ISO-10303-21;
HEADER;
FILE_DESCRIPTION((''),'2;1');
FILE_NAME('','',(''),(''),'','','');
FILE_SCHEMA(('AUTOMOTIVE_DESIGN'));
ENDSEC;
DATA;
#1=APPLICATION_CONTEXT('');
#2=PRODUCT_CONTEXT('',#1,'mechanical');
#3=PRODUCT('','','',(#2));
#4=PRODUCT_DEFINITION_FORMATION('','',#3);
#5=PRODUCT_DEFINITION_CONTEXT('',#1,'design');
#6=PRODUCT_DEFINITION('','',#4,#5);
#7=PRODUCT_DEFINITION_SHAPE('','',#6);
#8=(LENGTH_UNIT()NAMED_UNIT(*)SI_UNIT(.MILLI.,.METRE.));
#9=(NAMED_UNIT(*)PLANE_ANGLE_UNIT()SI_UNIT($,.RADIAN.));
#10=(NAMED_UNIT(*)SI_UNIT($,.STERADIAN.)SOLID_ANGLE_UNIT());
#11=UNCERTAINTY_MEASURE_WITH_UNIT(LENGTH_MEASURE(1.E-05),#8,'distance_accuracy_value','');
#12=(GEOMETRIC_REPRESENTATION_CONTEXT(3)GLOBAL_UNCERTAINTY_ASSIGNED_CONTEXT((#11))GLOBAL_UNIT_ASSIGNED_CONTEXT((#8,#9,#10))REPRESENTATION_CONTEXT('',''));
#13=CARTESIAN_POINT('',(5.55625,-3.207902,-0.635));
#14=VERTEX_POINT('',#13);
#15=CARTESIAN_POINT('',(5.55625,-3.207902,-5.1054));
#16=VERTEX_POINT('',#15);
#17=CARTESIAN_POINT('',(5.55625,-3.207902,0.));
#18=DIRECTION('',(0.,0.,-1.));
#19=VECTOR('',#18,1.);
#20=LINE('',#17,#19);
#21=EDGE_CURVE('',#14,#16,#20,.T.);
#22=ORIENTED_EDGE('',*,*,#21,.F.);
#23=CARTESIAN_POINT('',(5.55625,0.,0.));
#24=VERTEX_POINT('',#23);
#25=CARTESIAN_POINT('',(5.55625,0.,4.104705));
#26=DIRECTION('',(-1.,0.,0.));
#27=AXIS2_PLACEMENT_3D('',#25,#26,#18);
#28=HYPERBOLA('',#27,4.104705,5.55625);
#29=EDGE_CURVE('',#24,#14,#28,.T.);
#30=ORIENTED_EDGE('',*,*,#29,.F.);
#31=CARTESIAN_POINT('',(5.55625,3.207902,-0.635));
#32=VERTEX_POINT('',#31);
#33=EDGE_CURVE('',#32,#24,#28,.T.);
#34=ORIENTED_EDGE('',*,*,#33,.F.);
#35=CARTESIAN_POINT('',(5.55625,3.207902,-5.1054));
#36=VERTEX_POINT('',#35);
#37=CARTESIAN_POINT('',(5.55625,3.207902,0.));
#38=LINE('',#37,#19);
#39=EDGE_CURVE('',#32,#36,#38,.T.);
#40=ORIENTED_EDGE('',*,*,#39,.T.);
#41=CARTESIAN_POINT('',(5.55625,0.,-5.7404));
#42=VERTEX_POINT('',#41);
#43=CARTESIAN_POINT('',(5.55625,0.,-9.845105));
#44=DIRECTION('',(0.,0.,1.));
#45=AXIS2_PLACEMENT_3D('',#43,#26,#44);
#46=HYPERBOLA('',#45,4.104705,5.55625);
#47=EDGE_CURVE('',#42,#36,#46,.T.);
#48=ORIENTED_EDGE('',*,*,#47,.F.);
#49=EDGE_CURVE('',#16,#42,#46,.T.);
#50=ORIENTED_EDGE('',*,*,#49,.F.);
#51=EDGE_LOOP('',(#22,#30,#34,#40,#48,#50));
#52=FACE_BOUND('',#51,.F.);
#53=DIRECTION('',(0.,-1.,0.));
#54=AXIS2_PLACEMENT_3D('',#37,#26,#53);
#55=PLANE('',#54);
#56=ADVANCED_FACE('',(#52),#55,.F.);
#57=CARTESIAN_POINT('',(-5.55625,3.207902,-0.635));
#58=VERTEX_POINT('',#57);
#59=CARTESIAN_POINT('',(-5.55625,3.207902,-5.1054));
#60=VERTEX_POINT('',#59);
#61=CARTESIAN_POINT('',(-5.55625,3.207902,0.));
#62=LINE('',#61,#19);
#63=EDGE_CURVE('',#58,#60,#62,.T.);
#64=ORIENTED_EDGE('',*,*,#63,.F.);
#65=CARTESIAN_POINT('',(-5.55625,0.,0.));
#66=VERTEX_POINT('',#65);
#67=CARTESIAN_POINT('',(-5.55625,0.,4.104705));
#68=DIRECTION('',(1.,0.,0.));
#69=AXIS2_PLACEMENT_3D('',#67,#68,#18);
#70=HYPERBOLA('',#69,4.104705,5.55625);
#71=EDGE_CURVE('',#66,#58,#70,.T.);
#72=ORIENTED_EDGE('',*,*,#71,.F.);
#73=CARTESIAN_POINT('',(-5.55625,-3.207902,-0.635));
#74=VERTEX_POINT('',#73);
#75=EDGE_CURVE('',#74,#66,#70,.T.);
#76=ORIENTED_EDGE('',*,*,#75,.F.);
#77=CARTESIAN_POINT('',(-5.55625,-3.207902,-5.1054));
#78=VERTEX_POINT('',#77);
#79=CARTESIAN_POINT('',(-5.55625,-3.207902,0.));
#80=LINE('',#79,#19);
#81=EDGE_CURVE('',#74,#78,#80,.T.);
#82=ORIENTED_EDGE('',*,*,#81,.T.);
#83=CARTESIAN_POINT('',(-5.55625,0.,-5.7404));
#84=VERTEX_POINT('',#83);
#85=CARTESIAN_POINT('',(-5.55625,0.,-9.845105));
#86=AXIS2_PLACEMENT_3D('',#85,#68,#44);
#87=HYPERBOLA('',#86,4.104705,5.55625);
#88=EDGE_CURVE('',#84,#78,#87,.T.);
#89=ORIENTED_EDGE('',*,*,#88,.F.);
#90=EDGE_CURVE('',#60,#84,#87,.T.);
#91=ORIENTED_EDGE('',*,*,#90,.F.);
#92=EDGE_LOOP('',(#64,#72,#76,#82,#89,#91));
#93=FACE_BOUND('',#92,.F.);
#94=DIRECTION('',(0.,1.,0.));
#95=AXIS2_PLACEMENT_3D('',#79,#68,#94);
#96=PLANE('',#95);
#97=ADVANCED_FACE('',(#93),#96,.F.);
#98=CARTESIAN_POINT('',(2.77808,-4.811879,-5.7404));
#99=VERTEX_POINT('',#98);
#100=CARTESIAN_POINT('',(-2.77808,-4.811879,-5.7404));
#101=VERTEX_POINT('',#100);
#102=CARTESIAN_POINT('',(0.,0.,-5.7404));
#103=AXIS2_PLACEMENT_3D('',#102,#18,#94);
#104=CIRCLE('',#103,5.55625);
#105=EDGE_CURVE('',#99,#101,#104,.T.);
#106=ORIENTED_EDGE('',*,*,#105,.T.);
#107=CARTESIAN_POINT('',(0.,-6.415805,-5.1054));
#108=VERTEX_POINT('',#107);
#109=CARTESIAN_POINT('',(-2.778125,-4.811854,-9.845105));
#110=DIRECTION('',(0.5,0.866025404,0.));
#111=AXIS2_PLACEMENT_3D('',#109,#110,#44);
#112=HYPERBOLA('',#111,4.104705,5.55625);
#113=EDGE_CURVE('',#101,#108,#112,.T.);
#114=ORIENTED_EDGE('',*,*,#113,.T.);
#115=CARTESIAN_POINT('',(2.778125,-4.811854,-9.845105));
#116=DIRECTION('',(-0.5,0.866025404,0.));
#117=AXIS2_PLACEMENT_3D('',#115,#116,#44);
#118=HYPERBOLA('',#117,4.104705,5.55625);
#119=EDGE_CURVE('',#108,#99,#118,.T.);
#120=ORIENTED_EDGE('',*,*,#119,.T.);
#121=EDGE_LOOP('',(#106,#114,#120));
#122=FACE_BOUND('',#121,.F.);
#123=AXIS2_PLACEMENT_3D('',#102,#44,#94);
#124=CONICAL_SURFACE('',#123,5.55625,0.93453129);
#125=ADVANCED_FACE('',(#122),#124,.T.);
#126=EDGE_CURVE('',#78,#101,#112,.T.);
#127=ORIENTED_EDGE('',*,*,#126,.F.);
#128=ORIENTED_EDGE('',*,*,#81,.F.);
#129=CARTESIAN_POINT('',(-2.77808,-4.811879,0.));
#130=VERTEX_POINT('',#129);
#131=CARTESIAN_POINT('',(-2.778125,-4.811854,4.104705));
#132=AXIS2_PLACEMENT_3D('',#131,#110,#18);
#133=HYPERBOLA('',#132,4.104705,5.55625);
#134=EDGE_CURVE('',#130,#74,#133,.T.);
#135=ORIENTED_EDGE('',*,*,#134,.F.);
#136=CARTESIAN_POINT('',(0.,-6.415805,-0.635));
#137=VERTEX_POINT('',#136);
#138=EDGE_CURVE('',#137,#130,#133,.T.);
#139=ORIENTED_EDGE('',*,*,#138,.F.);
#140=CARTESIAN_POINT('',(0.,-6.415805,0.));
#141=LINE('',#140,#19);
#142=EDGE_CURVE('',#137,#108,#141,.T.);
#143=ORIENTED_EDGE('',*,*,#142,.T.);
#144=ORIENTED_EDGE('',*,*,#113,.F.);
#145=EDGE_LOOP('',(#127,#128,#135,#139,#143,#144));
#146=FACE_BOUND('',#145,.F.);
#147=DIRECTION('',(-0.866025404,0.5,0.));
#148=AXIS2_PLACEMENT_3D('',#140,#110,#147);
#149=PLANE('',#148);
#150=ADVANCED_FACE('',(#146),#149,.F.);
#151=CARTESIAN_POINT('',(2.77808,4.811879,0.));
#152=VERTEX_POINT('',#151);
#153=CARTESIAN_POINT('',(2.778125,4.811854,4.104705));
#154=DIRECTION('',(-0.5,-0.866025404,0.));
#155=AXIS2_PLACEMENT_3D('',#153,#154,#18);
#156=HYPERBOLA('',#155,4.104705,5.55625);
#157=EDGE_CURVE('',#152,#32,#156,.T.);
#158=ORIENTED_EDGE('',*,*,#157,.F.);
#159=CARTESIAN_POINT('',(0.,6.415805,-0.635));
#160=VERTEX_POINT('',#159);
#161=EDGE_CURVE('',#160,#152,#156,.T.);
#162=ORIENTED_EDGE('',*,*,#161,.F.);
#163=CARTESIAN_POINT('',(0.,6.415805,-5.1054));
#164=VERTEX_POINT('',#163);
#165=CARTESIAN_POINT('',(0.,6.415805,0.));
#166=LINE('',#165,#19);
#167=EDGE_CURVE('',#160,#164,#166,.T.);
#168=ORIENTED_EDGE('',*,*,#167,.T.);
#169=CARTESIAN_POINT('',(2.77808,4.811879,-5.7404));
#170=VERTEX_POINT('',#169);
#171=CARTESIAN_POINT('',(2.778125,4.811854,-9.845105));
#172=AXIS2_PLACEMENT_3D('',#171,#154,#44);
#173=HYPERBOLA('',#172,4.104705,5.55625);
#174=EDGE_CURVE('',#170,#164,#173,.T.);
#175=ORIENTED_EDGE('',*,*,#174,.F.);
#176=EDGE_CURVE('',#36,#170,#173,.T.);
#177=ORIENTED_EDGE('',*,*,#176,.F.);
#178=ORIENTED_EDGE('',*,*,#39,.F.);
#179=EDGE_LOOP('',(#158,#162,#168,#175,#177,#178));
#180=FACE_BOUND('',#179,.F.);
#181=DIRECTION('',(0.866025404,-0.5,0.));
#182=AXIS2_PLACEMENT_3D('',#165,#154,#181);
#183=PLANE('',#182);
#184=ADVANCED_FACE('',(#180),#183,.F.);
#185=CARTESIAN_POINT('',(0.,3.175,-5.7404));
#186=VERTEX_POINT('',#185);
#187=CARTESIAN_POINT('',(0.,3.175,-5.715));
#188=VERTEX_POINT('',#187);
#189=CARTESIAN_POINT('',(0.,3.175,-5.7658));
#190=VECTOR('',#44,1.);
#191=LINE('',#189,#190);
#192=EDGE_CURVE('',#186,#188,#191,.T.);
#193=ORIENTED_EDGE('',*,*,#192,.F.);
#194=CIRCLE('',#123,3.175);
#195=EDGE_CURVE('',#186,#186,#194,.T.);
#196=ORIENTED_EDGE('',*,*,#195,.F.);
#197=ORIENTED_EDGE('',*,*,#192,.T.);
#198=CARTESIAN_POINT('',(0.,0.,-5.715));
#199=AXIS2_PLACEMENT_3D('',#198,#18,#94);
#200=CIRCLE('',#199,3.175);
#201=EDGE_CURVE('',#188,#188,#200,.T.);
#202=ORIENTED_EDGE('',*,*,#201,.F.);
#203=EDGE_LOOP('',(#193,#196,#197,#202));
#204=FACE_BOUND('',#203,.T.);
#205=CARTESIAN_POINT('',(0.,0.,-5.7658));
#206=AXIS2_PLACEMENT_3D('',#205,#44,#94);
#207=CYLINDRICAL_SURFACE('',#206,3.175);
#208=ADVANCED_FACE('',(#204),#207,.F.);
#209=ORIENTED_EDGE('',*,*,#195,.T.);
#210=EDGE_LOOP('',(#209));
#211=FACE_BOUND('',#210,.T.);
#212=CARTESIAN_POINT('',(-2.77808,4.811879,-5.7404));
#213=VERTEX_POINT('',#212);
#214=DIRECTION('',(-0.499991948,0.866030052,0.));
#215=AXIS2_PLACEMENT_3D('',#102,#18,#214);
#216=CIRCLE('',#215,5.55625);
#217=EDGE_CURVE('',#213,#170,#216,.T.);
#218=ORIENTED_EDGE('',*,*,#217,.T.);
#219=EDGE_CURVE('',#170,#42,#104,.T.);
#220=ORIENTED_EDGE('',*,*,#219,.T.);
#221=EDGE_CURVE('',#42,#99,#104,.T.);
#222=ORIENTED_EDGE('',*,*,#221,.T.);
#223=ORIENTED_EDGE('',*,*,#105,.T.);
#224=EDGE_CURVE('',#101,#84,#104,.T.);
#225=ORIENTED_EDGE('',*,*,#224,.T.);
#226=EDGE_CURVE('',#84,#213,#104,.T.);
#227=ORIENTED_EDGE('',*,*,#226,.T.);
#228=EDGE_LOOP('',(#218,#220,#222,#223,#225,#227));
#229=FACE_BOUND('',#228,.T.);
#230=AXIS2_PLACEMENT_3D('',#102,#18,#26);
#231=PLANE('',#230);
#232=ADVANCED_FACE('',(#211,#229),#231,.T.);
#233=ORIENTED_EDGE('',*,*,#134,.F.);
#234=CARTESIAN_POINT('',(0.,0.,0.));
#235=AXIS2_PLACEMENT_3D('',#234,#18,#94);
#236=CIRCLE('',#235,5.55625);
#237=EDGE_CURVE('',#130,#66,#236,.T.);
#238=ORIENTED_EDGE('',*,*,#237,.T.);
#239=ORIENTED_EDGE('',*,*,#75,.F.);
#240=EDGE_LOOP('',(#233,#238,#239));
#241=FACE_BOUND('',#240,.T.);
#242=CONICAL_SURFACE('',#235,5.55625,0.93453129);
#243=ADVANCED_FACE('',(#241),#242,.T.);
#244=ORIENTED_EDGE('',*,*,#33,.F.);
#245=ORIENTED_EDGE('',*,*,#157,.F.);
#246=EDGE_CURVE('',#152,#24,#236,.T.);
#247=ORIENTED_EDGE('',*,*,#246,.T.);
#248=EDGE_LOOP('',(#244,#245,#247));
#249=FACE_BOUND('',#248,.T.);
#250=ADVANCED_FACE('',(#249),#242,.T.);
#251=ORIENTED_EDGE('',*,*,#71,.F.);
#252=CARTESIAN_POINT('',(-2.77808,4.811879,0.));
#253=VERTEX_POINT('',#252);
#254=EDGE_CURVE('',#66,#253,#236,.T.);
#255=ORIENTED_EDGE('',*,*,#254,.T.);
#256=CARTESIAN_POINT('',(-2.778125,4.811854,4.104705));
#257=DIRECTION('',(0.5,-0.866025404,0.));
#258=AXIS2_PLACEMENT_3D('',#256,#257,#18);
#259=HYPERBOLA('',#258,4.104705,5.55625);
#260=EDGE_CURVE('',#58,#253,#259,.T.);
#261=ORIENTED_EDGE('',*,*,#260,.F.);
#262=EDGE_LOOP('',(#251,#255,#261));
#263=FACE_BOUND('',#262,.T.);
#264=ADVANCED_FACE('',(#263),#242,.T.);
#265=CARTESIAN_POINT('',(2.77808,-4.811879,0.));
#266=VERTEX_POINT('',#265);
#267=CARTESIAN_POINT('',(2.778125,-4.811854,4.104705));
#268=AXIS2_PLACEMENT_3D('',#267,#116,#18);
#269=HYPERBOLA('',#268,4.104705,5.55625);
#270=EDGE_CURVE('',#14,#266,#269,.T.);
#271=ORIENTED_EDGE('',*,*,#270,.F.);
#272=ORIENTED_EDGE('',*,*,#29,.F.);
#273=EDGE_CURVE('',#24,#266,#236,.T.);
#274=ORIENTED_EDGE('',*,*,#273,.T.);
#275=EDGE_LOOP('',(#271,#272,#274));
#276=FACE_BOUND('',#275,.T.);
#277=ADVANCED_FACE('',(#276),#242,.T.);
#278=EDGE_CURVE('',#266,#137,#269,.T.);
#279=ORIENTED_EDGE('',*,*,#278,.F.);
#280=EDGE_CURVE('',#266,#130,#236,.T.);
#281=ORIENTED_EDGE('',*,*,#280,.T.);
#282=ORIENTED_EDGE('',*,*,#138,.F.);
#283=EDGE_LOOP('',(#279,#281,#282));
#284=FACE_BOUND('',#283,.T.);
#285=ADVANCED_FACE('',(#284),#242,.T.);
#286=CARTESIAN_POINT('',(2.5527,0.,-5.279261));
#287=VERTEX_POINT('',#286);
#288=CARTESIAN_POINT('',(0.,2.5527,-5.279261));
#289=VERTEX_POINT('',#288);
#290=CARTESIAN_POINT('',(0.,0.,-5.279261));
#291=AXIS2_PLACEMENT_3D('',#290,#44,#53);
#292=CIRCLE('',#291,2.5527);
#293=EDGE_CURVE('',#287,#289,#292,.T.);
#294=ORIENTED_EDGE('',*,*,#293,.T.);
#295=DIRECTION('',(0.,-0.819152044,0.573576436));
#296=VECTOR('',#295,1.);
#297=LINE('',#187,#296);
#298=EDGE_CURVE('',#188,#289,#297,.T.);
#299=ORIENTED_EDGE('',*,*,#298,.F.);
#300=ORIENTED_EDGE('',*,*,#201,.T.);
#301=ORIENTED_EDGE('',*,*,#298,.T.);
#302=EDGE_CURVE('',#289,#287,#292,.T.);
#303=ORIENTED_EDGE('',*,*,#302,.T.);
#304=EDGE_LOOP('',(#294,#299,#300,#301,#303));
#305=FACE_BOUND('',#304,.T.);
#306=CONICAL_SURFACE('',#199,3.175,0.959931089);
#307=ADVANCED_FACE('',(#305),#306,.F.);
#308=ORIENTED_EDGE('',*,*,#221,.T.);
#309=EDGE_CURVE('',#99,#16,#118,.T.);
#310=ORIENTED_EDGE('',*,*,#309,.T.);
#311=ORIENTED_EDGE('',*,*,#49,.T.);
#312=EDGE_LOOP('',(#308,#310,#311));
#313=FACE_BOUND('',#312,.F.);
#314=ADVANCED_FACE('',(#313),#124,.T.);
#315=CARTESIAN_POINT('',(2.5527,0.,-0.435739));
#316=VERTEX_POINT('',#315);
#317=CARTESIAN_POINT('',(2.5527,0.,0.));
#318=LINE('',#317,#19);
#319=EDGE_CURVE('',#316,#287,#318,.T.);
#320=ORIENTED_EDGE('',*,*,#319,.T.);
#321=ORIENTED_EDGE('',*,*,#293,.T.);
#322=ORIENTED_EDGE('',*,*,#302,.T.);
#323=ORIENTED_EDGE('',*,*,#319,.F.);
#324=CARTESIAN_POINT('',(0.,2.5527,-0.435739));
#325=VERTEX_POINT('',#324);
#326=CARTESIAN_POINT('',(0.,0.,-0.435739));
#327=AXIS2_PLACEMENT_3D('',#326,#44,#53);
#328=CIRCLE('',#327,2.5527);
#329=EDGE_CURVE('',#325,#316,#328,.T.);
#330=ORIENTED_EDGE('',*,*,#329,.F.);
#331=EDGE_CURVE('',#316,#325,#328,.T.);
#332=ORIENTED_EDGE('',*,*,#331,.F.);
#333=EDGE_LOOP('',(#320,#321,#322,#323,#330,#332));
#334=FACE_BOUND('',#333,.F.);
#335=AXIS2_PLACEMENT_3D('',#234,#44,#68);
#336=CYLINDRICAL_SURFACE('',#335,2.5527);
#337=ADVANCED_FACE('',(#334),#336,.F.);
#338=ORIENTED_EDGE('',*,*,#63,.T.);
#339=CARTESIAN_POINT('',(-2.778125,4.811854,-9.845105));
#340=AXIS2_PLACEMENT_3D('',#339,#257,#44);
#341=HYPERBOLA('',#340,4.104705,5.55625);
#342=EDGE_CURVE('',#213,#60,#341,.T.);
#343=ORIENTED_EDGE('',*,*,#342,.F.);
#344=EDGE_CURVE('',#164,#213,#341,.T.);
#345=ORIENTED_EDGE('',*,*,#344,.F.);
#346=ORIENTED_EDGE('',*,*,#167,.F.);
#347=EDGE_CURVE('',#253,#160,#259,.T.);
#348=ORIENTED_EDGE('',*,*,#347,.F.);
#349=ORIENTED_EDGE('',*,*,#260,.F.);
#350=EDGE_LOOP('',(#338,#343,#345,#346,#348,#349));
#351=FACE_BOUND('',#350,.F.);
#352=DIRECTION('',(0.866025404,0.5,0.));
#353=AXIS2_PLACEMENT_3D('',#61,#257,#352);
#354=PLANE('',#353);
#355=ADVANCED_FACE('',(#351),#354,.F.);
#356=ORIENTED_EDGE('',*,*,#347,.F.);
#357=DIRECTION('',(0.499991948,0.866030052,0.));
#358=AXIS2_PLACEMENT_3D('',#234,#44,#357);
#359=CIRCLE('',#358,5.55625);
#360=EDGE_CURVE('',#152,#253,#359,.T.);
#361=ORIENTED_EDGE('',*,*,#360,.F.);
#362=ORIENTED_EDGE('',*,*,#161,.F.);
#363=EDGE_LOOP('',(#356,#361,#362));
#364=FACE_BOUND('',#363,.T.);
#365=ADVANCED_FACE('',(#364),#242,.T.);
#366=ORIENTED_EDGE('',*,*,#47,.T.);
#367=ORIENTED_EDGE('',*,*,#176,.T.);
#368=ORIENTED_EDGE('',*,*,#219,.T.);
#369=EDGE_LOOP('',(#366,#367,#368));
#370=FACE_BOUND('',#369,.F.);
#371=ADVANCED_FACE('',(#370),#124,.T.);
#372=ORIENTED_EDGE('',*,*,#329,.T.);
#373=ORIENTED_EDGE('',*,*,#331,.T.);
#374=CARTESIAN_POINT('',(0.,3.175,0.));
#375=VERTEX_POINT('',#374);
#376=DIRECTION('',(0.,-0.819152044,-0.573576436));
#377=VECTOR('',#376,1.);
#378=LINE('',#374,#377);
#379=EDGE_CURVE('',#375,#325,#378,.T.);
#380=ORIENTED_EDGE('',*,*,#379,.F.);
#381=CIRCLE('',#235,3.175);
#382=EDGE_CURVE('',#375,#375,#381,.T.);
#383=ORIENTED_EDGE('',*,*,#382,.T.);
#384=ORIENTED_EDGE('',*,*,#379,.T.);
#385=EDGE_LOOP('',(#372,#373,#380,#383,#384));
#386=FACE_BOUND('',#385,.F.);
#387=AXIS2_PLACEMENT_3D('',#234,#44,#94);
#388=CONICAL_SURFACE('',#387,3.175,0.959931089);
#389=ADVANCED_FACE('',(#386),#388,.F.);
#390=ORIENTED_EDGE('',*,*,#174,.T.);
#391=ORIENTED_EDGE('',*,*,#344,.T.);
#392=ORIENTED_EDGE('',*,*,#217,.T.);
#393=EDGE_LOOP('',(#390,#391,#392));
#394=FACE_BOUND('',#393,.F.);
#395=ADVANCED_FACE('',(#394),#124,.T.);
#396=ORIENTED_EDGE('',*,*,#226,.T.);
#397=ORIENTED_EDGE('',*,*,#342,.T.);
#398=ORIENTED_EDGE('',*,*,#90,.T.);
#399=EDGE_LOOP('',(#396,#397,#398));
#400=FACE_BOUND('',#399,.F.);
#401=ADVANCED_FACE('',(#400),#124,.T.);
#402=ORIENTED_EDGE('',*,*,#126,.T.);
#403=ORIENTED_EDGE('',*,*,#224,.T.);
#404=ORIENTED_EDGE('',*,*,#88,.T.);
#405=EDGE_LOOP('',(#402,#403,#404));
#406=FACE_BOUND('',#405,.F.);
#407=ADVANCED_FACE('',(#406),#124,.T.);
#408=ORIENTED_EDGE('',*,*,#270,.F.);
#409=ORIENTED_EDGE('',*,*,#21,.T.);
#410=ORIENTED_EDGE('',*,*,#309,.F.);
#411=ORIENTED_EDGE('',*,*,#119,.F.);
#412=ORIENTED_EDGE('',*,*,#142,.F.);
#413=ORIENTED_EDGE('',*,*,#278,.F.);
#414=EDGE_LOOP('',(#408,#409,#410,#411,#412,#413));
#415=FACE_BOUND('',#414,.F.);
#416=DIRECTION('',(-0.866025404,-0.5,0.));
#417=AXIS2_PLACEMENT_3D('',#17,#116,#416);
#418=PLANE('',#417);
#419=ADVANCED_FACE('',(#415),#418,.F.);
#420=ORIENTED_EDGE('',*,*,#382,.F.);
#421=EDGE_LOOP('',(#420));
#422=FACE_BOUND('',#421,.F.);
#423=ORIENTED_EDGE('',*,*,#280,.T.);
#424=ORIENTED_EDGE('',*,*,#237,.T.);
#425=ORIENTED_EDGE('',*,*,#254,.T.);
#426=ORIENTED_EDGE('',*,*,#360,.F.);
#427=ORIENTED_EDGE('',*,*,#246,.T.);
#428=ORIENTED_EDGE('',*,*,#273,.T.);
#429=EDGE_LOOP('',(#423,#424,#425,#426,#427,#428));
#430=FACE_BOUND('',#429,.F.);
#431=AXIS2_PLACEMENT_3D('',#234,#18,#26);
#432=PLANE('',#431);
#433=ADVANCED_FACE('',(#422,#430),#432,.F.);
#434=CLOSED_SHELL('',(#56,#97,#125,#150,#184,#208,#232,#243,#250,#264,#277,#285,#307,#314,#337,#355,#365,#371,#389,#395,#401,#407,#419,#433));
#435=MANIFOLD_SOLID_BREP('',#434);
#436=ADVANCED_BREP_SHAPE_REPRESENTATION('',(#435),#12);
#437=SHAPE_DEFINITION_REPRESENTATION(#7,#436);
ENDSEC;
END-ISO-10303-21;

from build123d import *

# Parameters (mm, degrees)
BASENUTSKE_R  = 2.5527
BASENUT_DEPTH = 5.7404


with BuildPart() as part:
    # BaseNutSke → BaseNut (new body)
    with BuildSketch(Plane.XY):
        Polygon((5.55625, 3.207902433), (5.55625, -3.207902433), (0, -6.415804866), (-5.55625, -3.207902433), (-5.55625, 3.207902433), (0, 6.415804866), align=None)
        Circle(BASENUTSKE_R, mode=Mode.SUBTRACT)
    extrude(amount=-BASENUT_DEPTH)

    # Sketch3 → Double-Chamfer (revolve, cut)
    with BuildSketch(Plane(origin=(0, 0, 0), x_dir=(0, 0, -1), z_dir=(1, 0, 0))):
        Polygon((5.7404, 5.55625), (5.1054, 6.415804866), (5.1054, 19.115804866), (18.4404, 19.115804866), (18.4404, 5.55625), align=None)
        Polygon((0.635, 19.115804866), (-12.7, 19.115804866), (-12.7, 5.55625), (0, 5.55625), (0.635, 6.415804866), align=None)
    revolve(axis=Axis((0, 0, 0), (0, 0, -1)), mode=Mode.SUBTRACT)

    # Sketch5 → EndChamfer (revolve, cut)
    with BuildSketch(Plane(origin=(0, 0, 0), x_dir=(0, 0, -1), z_dir=(1, 0, 0))):
        Polygon((5.715, 3.175), (5.235686934, 2.49047), (5.7658, 2.49047), (5.7658, 3.175), align=None)
        Polygon((-0.0508, 3.175), (0, 3.175), (0.479313066, 2.49047), (-0.0508, 2.49047), align=None)
    revolve(axis=Axis((0, 0, -25.037505729), (0, 0, -1)), mode=Mode.SUBTRACT)


solid = part.part
